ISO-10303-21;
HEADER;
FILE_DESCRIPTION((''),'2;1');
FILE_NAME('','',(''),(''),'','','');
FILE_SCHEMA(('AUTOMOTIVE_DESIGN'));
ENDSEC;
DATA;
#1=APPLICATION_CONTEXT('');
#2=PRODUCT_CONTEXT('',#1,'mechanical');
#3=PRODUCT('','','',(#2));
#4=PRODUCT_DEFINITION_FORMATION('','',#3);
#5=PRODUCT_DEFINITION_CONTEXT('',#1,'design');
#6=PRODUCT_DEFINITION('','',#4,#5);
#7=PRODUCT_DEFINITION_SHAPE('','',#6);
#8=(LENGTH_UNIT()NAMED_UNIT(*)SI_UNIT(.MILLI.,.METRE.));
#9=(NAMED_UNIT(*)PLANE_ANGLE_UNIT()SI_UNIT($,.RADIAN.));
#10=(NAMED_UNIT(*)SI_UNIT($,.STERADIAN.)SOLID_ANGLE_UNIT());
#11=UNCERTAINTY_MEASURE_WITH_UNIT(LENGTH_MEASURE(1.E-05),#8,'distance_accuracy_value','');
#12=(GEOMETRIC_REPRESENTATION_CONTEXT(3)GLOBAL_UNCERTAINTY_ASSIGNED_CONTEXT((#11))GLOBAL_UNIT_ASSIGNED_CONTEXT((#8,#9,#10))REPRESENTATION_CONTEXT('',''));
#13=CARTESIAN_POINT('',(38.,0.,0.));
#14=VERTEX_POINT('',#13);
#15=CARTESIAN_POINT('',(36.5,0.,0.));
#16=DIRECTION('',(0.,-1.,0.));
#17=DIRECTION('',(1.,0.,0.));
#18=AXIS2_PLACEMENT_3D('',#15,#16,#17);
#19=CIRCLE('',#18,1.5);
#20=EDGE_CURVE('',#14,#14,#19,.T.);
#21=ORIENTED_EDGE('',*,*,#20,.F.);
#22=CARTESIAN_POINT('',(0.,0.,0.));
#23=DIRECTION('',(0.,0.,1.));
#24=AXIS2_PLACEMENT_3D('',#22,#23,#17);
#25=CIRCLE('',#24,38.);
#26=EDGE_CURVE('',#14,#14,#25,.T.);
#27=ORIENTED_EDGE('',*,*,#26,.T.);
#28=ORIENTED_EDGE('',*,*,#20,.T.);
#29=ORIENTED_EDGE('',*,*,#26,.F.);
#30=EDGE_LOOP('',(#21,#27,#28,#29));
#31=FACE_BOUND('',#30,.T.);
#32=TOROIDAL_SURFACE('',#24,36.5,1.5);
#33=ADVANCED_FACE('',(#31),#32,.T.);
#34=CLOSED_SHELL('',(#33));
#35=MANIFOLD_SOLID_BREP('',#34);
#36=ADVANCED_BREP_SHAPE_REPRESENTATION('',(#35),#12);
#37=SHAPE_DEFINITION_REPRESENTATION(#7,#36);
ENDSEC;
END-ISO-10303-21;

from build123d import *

# Parameters (mm, degrees)
TORUS_R = 1.5


with BuildPart() as part:
    # Torus → Torus (revolve)
    with BuildSketch(Plane.XZ):
        with Locations((36.5, 0)):
            Circle(TORUS_R)
    revolve(axis=Axis((0, 0, 0), (0, 0, 1)))


solid = part.part
